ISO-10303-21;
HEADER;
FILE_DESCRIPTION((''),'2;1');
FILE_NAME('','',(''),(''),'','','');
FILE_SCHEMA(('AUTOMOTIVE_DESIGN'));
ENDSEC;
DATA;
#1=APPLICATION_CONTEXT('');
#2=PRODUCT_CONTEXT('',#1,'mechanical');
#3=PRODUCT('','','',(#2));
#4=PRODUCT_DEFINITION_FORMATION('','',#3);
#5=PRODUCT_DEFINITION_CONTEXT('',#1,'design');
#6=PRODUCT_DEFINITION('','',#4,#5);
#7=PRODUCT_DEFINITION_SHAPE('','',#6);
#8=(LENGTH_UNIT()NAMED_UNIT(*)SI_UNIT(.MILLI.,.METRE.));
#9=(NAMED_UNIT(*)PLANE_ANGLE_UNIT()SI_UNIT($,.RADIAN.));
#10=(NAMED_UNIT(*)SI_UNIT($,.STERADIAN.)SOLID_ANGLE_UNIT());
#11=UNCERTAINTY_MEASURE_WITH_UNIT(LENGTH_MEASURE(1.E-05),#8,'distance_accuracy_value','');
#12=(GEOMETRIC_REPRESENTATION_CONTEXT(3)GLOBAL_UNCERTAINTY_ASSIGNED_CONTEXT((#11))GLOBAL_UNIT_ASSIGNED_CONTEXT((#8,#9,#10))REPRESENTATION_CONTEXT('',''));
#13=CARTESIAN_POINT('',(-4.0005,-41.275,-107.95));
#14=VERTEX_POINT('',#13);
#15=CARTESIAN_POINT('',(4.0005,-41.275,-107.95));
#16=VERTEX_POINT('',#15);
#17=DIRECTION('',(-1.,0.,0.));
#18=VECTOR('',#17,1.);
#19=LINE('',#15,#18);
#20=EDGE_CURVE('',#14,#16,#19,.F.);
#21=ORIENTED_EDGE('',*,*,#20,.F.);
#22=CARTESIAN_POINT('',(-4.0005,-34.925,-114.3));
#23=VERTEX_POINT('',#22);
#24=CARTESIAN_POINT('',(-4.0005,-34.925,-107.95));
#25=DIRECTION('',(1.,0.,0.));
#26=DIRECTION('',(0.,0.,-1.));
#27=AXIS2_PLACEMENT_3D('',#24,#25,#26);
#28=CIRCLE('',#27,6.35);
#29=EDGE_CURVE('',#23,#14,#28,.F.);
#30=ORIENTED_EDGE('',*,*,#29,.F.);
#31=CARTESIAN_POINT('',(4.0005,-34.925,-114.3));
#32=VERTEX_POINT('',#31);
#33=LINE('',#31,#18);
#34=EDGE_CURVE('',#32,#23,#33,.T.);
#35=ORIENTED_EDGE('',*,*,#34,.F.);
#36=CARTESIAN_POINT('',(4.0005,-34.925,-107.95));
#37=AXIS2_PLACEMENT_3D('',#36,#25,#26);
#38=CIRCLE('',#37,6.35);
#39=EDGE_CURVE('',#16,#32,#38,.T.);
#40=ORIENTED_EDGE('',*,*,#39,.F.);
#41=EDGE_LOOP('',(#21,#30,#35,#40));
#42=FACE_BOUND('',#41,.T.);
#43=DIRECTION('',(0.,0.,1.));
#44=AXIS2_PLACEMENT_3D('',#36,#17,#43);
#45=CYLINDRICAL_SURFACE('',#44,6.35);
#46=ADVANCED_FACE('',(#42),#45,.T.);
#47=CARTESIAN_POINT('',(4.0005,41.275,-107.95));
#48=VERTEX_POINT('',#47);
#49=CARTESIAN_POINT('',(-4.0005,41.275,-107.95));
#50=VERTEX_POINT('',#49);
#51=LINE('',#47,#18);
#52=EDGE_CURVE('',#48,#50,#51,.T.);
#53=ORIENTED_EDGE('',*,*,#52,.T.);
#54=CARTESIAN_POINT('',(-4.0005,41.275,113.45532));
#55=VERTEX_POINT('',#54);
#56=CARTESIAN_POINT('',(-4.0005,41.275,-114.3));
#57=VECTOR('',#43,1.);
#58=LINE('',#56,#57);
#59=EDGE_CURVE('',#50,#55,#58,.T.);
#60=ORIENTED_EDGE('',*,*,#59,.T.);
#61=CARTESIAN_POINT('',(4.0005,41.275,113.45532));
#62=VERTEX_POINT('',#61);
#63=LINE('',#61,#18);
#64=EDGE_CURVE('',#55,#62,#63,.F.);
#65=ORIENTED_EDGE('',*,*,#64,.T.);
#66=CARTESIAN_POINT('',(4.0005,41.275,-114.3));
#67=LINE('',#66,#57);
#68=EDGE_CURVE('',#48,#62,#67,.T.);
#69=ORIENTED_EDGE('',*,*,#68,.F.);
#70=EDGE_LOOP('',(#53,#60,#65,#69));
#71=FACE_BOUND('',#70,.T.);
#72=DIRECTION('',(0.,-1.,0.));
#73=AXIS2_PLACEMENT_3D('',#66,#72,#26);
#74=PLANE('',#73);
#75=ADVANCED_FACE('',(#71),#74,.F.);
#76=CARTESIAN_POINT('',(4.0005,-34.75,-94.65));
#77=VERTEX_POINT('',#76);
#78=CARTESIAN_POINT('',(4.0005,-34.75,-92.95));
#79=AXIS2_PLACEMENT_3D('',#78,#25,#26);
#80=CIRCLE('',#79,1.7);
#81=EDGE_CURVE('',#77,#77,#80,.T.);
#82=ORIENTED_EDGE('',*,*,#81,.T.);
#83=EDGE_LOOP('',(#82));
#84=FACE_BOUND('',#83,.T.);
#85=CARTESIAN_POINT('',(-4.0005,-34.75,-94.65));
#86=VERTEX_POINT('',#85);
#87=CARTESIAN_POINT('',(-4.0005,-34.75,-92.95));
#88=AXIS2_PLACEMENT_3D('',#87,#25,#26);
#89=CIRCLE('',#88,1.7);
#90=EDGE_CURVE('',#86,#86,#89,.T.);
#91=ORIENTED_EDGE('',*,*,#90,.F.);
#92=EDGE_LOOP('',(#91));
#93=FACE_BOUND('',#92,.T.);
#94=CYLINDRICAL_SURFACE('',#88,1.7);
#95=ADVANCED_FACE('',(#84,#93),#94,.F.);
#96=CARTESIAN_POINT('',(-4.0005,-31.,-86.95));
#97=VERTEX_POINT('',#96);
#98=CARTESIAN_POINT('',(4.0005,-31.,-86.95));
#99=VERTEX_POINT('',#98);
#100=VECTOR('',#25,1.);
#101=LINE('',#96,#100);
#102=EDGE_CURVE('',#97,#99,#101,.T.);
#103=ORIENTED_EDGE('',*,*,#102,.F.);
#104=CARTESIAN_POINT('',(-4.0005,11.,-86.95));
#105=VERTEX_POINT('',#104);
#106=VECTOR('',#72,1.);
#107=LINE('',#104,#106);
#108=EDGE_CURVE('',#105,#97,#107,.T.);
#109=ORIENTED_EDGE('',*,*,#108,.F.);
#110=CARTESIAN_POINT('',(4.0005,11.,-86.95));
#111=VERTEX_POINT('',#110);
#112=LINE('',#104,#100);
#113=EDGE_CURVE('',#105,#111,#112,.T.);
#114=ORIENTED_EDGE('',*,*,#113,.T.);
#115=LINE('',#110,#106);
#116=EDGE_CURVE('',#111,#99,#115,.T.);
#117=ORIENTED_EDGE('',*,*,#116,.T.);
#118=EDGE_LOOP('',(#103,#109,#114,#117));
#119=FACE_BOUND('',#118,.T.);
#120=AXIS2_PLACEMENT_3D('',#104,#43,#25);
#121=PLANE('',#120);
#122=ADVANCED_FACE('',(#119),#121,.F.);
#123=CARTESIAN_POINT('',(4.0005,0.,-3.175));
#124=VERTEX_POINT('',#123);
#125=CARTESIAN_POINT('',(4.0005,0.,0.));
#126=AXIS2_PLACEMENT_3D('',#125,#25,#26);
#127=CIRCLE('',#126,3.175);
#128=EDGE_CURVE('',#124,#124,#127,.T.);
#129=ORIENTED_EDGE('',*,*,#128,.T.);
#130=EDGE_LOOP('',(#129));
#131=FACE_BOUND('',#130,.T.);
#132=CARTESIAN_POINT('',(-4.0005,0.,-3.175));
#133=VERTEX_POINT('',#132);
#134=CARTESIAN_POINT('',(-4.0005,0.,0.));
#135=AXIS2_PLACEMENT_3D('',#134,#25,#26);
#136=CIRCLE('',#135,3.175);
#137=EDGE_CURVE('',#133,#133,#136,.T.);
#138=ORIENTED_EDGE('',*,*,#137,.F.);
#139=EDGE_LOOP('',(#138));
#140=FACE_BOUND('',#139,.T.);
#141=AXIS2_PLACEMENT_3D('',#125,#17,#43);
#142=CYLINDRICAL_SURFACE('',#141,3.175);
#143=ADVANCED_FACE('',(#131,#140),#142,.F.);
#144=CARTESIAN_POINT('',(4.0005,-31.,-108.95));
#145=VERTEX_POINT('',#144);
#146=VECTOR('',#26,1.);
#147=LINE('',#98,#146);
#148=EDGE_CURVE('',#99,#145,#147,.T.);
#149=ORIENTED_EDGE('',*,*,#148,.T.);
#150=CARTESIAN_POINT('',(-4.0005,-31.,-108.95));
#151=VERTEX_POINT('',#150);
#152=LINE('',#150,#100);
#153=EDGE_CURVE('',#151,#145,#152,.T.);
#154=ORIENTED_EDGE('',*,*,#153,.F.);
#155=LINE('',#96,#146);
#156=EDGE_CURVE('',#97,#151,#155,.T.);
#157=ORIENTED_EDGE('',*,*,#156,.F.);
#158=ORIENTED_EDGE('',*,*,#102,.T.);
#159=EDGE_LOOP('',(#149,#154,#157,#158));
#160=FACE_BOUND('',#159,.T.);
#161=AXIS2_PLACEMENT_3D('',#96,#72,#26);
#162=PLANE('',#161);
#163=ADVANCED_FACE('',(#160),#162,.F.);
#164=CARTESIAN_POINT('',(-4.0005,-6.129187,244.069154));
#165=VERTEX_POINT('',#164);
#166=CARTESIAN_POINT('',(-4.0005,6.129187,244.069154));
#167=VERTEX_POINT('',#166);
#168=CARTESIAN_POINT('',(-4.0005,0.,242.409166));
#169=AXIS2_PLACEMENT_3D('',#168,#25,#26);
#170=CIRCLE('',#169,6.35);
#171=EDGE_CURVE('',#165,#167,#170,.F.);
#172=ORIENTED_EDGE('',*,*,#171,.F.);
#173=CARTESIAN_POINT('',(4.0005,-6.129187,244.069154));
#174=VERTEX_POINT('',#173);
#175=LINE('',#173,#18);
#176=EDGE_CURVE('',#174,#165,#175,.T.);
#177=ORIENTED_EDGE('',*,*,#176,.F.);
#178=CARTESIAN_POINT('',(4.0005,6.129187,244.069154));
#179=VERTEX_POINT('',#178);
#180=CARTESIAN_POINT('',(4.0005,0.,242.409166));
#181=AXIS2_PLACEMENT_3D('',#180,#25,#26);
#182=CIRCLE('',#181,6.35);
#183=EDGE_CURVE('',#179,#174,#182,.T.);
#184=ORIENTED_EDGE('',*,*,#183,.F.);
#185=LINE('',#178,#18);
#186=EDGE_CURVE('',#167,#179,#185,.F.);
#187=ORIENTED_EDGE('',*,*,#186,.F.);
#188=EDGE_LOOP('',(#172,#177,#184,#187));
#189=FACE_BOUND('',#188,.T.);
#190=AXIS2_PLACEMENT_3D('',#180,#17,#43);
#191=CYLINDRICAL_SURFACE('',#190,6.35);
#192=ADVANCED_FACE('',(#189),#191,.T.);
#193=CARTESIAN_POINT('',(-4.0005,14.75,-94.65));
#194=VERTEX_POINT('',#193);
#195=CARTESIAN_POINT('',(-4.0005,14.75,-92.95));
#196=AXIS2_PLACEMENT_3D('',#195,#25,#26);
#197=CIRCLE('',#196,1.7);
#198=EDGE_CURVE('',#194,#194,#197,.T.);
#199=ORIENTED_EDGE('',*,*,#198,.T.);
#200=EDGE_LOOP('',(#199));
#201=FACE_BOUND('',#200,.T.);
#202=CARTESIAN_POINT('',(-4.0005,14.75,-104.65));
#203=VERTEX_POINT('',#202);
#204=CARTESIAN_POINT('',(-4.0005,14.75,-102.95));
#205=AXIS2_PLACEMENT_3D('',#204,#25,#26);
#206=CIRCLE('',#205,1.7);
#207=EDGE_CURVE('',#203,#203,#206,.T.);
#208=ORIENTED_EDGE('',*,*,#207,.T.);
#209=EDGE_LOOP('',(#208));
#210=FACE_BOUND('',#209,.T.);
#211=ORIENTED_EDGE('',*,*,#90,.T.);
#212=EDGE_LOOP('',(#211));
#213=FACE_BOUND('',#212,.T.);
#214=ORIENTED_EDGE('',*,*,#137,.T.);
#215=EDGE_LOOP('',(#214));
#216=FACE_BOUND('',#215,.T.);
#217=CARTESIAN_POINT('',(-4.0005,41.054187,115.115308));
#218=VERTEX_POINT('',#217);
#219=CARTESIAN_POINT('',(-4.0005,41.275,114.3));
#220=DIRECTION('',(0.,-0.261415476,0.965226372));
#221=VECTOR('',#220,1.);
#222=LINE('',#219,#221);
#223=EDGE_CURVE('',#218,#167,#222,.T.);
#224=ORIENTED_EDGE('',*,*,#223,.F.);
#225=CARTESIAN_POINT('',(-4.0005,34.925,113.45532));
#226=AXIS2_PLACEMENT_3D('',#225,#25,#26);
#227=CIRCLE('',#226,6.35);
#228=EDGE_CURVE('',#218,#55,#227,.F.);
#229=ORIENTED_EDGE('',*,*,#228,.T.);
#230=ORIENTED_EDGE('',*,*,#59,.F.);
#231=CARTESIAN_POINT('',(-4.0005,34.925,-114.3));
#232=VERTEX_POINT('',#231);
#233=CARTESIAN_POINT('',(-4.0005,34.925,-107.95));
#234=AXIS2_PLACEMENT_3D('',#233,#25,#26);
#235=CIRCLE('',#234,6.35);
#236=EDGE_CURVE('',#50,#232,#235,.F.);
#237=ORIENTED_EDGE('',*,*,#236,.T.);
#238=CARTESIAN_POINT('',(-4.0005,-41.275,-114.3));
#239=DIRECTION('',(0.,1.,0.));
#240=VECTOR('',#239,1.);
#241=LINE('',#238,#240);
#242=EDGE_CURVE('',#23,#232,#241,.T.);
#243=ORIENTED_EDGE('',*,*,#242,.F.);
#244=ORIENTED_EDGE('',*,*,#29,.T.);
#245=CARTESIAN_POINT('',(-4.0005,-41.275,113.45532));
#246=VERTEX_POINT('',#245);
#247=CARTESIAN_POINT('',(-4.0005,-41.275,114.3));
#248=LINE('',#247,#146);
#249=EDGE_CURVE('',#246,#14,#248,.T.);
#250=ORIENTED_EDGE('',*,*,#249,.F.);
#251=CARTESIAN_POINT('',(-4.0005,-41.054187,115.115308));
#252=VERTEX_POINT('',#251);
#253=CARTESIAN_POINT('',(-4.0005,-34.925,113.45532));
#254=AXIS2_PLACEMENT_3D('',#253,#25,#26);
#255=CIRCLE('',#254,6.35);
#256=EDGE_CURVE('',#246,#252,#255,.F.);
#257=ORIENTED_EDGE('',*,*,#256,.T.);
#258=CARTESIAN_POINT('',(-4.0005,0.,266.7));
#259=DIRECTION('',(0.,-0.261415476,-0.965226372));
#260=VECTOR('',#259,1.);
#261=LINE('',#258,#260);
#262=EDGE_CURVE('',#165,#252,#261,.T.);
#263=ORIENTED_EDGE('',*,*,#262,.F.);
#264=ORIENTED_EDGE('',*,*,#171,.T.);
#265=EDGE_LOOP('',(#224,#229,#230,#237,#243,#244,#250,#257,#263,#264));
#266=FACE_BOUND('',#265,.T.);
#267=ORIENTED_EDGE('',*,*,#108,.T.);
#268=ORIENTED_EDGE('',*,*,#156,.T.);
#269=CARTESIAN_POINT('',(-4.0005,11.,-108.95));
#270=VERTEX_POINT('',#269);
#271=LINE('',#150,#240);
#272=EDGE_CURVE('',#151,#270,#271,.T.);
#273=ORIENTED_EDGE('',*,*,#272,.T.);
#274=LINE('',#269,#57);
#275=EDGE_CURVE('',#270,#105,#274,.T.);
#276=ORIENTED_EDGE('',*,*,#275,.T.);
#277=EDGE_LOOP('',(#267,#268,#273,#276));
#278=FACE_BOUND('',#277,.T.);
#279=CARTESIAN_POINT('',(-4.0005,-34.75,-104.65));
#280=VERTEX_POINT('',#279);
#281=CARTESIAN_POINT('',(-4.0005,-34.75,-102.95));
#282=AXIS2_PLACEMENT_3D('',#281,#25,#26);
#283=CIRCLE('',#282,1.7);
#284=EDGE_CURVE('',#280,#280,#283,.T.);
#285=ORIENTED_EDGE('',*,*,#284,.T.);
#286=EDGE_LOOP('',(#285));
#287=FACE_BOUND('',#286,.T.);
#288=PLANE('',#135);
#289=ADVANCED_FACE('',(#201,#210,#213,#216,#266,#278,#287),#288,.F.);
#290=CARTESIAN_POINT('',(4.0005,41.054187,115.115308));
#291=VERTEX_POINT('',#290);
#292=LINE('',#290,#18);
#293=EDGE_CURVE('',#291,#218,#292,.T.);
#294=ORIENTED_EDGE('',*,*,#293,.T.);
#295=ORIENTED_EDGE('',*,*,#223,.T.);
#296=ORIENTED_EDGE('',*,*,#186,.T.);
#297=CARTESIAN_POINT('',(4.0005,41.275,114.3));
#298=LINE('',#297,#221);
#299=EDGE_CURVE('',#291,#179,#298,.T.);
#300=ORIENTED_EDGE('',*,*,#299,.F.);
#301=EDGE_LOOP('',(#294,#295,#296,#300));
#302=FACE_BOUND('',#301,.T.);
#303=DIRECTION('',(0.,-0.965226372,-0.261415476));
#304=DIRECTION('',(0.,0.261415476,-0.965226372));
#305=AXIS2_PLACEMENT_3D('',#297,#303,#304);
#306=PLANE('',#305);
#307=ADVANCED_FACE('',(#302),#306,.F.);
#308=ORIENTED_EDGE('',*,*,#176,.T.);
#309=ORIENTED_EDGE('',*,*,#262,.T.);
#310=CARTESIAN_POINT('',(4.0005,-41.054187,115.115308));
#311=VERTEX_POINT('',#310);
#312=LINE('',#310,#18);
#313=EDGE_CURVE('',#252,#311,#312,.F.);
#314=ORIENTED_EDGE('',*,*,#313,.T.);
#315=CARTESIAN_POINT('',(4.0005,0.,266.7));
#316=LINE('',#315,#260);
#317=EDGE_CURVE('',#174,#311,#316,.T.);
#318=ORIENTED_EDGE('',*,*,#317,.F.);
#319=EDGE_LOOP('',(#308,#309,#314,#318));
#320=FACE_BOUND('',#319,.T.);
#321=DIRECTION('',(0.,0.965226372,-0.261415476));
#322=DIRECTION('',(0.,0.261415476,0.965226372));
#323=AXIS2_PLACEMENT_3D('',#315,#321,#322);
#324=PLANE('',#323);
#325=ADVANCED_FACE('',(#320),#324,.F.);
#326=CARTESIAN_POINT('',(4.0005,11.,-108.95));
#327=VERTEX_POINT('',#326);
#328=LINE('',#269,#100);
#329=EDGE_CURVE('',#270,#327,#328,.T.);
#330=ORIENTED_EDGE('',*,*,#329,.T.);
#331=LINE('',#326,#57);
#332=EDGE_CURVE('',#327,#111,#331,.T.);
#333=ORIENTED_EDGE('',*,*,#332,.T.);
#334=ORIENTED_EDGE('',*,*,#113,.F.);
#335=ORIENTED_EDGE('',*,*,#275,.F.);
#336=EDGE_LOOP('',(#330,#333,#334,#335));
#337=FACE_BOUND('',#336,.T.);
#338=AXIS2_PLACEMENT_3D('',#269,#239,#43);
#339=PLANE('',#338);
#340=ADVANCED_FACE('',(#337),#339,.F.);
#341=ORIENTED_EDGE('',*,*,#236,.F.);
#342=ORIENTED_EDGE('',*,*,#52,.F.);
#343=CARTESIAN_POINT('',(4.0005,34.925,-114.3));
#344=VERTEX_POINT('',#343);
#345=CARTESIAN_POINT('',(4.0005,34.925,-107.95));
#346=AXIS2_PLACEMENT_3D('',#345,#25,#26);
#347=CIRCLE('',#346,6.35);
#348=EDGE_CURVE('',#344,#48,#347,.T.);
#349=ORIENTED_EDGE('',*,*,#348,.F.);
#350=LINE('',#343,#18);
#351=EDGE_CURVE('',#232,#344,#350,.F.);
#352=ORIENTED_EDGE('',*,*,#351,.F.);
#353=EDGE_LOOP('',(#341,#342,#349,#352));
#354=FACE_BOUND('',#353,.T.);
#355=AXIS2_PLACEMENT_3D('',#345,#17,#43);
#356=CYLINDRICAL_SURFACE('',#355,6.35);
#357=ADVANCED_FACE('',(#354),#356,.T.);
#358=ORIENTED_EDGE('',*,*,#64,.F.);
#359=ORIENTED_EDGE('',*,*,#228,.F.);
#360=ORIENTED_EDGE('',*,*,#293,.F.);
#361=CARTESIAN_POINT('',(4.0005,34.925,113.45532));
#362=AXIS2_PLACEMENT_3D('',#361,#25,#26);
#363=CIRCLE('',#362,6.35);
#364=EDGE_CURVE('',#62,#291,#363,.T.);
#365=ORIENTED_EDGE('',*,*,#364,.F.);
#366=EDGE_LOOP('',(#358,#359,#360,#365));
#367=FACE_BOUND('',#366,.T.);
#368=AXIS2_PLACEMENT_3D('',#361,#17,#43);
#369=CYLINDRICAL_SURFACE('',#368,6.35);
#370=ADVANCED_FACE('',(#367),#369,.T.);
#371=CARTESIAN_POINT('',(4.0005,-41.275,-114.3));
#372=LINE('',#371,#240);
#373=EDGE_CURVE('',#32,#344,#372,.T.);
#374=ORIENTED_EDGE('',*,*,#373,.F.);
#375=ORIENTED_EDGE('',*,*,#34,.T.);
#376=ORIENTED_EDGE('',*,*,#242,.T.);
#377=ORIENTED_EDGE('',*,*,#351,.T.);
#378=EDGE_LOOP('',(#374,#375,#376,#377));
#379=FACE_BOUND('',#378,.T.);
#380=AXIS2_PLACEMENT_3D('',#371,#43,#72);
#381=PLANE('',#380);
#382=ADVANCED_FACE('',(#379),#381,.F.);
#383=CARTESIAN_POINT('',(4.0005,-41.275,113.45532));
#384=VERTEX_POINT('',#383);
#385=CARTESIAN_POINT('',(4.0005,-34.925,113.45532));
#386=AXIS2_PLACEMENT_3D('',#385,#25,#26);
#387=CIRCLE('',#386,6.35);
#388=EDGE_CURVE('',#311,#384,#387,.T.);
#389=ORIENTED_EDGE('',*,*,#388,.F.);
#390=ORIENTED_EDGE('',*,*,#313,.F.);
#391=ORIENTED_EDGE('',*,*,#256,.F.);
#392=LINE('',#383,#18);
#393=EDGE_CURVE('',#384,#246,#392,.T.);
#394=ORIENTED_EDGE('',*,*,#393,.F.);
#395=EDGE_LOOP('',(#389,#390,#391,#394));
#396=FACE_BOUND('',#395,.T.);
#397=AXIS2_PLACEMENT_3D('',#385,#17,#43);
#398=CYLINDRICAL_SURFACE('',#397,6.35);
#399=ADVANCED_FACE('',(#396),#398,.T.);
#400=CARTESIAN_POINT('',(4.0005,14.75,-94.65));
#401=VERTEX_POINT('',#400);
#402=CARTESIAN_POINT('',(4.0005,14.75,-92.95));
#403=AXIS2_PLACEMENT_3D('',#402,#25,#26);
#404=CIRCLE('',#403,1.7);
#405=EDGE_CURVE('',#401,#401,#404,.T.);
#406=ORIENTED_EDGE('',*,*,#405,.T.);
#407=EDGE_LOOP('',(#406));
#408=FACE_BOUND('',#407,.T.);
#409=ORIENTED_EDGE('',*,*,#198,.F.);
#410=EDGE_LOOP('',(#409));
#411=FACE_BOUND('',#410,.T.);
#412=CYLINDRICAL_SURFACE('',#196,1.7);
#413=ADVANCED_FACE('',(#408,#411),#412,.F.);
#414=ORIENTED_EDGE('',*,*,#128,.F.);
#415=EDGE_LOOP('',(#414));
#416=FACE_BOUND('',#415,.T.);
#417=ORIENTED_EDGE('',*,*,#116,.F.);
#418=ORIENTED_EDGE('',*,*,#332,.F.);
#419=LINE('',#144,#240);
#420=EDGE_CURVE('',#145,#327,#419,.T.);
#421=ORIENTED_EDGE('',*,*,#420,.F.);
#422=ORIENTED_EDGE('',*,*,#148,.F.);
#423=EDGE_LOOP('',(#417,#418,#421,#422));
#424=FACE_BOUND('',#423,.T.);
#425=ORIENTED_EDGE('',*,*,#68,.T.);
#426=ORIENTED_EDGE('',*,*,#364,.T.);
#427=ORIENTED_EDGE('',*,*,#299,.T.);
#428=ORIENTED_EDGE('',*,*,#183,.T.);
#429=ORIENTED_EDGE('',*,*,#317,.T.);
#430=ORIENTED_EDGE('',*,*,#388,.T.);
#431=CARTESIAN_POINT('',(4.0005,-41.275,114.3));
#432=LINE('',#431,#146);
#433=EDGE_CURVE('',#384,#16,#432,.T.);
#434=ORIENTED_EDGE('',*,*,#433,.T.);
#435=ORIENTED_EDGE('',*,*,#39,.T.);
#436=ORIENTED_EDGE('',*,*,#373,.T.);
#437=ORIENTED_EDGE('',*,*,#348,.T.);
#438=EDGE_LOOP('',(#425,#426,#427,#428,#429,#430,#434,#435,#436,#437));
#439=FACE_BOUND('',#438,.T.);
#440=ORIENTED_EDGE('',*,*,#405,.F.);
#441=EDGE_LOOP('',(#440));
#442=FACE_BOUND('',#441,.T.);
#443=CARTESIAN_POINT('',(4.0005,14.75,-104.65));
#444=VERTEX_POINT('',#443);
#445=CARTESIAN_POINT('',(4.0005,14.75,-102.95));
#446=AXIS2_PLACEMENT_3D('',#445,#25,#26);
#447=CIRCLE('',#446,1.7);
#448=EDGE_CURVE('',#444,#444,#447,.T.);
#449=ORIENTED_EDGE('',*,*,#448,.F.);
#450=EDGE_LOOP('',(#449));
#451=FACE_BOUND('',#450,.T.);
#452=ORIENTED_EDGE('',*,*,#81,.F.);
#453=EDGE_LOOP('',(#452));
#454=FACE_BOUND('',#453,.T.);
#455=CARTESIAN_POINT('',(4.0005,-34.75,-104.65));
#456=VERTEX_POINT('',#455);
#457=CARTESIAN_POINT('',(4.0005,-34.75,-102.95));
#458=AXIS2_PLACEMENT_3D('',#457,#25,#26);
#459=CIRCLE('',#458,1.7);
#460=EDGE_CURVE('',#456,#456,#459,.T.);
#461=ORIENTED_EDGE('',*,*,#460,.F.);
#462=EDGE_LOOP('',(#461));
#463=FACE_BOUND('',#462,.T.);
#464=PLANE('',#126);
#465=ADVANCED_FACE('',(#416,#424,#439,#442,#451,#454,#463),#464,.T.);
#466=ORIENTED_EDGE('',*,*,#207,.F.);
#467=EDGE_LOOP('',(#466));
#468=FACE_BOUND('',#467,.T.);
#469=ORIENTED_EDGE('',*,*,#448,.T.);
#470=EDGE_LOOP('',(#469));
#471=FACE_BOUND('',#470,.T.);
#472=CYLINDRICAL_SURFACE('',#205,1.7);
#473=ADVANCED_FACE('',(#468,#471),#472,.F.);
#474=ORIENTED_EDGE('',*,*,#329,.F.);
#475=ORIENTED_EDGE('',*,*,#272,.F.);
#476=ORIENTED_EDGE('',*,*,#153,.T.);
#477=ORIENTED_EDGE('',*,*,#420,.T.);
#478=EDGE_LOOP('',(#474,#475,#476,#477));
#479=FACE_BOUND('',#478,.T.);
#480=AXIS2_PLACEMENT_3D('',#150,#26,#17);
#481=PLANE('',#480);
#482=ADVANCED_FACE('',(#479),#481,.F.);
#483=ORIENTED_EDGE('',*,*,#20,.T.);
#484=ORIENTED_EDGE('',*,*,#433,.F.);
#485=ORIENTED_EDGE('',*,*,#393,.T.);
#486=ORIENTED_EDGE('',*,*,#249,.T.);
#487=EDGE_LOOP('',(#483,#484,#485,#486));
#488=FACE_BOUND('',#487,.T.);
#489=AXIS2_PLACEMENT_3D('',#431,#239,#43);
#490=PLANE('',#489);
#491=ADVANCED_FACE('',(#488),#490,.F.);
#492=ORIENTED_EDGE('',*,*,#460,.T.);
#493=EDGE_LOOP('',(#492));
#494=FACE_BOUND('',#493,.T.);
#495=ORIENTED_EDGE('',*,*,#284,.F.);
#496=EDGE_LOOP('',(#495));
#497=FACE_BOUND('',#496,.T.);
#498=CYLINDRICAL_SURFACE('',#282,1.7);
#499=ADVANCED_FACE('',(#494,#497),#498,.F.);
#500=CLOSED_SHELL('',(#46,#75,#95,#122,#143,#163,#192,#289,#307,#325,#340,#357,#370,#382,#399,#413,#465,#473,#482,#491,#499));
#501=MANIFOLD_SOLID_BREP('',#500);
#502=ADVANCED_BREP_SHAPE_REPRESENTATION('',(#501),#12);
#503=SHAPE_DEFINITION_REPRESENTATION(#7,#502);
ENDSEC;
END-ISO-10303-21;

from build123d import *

# Parameters (mm, degrees)
SKETCH1_R           = 3.175
BOSS_EXTRUDE2_DEPTH = 4.0005
FILLET1_R           = 6.35
SKETCH6_R           = 1.7
CUT_EXTRUDE2_DEPTH  = 253.287066958
SKETCH5_W           = 42
SKETCH5_H           = 22
CUT_EXTRUDE1_DEPTH  = 253.287066958


with BuildPart() as part:
    # Sketch1 → Boss-Extrude2 (new, symmetric)
    with BuildSketch(Plane.YZ):
        Polygon((-41.275, 114.3), (-41.275, -114.3), (41.275, -114.3), (41.275, 114.3), (0, 266.7), align=None)
        with Locations(Location((0, 0, 0), (0, 0, 270))):
            Circle(SKETCH1_R, mode=Mode.SUBTRACT)
    extrude(amount=BOSS_EXTRUDE2_DEPTH, both=True)

    # Fillet1
    fillet1_edges = [part.edges().sort_by_distance(p)[0] for p in [
        (0, 0, 266.7),
        (0, 41.275, 114.3),
        (0, 41.275, -114.3),
        (0, -41.275, -114.3),
        (0, -41.275, 114.3),
    ]]
    fillet(fillet1_edges, radius=FILLET1_R)

    # Sketch6 → Cut-Extrude2 (cut, through all)
    with BuildSketch(Plane.YZ.offset(4.0005)):
        with Locations(Location((-34.75, -92.95, 0), (0, 0, 270))):
            Circle(SKETCH6_R)
        with Locations(Location((-34.75, -102.95, 0), (0, 0, 270))):
            Circle(SKETCH6_R)
        with Locations(Location((14.75, -92.95, 0), (0, 0, 270))):
            Circle(SKETCH6_R)
        with Locations(Location((14.75, -102.95, 0), (0, 0, 270))):
            Circle(SKETCH6_R)
    extrude(amount=-CUT_EXTRUDE2_DEPTH, mode=Mode.SUBTRACT)

    # Sketch5 → Cut-Extrude1 (cut, through all)
    with BuildSketch(Plane.YZ.offset(4.0005)):
        with Locations((-10, -97.95)):
            Rectangle(SKETCH5_W, SKETCH5_H)
    extrude(amount=-CUT_EXTRUDE1_DEPTH, mode=Mode.SUBTRACT)


solid = part.part
